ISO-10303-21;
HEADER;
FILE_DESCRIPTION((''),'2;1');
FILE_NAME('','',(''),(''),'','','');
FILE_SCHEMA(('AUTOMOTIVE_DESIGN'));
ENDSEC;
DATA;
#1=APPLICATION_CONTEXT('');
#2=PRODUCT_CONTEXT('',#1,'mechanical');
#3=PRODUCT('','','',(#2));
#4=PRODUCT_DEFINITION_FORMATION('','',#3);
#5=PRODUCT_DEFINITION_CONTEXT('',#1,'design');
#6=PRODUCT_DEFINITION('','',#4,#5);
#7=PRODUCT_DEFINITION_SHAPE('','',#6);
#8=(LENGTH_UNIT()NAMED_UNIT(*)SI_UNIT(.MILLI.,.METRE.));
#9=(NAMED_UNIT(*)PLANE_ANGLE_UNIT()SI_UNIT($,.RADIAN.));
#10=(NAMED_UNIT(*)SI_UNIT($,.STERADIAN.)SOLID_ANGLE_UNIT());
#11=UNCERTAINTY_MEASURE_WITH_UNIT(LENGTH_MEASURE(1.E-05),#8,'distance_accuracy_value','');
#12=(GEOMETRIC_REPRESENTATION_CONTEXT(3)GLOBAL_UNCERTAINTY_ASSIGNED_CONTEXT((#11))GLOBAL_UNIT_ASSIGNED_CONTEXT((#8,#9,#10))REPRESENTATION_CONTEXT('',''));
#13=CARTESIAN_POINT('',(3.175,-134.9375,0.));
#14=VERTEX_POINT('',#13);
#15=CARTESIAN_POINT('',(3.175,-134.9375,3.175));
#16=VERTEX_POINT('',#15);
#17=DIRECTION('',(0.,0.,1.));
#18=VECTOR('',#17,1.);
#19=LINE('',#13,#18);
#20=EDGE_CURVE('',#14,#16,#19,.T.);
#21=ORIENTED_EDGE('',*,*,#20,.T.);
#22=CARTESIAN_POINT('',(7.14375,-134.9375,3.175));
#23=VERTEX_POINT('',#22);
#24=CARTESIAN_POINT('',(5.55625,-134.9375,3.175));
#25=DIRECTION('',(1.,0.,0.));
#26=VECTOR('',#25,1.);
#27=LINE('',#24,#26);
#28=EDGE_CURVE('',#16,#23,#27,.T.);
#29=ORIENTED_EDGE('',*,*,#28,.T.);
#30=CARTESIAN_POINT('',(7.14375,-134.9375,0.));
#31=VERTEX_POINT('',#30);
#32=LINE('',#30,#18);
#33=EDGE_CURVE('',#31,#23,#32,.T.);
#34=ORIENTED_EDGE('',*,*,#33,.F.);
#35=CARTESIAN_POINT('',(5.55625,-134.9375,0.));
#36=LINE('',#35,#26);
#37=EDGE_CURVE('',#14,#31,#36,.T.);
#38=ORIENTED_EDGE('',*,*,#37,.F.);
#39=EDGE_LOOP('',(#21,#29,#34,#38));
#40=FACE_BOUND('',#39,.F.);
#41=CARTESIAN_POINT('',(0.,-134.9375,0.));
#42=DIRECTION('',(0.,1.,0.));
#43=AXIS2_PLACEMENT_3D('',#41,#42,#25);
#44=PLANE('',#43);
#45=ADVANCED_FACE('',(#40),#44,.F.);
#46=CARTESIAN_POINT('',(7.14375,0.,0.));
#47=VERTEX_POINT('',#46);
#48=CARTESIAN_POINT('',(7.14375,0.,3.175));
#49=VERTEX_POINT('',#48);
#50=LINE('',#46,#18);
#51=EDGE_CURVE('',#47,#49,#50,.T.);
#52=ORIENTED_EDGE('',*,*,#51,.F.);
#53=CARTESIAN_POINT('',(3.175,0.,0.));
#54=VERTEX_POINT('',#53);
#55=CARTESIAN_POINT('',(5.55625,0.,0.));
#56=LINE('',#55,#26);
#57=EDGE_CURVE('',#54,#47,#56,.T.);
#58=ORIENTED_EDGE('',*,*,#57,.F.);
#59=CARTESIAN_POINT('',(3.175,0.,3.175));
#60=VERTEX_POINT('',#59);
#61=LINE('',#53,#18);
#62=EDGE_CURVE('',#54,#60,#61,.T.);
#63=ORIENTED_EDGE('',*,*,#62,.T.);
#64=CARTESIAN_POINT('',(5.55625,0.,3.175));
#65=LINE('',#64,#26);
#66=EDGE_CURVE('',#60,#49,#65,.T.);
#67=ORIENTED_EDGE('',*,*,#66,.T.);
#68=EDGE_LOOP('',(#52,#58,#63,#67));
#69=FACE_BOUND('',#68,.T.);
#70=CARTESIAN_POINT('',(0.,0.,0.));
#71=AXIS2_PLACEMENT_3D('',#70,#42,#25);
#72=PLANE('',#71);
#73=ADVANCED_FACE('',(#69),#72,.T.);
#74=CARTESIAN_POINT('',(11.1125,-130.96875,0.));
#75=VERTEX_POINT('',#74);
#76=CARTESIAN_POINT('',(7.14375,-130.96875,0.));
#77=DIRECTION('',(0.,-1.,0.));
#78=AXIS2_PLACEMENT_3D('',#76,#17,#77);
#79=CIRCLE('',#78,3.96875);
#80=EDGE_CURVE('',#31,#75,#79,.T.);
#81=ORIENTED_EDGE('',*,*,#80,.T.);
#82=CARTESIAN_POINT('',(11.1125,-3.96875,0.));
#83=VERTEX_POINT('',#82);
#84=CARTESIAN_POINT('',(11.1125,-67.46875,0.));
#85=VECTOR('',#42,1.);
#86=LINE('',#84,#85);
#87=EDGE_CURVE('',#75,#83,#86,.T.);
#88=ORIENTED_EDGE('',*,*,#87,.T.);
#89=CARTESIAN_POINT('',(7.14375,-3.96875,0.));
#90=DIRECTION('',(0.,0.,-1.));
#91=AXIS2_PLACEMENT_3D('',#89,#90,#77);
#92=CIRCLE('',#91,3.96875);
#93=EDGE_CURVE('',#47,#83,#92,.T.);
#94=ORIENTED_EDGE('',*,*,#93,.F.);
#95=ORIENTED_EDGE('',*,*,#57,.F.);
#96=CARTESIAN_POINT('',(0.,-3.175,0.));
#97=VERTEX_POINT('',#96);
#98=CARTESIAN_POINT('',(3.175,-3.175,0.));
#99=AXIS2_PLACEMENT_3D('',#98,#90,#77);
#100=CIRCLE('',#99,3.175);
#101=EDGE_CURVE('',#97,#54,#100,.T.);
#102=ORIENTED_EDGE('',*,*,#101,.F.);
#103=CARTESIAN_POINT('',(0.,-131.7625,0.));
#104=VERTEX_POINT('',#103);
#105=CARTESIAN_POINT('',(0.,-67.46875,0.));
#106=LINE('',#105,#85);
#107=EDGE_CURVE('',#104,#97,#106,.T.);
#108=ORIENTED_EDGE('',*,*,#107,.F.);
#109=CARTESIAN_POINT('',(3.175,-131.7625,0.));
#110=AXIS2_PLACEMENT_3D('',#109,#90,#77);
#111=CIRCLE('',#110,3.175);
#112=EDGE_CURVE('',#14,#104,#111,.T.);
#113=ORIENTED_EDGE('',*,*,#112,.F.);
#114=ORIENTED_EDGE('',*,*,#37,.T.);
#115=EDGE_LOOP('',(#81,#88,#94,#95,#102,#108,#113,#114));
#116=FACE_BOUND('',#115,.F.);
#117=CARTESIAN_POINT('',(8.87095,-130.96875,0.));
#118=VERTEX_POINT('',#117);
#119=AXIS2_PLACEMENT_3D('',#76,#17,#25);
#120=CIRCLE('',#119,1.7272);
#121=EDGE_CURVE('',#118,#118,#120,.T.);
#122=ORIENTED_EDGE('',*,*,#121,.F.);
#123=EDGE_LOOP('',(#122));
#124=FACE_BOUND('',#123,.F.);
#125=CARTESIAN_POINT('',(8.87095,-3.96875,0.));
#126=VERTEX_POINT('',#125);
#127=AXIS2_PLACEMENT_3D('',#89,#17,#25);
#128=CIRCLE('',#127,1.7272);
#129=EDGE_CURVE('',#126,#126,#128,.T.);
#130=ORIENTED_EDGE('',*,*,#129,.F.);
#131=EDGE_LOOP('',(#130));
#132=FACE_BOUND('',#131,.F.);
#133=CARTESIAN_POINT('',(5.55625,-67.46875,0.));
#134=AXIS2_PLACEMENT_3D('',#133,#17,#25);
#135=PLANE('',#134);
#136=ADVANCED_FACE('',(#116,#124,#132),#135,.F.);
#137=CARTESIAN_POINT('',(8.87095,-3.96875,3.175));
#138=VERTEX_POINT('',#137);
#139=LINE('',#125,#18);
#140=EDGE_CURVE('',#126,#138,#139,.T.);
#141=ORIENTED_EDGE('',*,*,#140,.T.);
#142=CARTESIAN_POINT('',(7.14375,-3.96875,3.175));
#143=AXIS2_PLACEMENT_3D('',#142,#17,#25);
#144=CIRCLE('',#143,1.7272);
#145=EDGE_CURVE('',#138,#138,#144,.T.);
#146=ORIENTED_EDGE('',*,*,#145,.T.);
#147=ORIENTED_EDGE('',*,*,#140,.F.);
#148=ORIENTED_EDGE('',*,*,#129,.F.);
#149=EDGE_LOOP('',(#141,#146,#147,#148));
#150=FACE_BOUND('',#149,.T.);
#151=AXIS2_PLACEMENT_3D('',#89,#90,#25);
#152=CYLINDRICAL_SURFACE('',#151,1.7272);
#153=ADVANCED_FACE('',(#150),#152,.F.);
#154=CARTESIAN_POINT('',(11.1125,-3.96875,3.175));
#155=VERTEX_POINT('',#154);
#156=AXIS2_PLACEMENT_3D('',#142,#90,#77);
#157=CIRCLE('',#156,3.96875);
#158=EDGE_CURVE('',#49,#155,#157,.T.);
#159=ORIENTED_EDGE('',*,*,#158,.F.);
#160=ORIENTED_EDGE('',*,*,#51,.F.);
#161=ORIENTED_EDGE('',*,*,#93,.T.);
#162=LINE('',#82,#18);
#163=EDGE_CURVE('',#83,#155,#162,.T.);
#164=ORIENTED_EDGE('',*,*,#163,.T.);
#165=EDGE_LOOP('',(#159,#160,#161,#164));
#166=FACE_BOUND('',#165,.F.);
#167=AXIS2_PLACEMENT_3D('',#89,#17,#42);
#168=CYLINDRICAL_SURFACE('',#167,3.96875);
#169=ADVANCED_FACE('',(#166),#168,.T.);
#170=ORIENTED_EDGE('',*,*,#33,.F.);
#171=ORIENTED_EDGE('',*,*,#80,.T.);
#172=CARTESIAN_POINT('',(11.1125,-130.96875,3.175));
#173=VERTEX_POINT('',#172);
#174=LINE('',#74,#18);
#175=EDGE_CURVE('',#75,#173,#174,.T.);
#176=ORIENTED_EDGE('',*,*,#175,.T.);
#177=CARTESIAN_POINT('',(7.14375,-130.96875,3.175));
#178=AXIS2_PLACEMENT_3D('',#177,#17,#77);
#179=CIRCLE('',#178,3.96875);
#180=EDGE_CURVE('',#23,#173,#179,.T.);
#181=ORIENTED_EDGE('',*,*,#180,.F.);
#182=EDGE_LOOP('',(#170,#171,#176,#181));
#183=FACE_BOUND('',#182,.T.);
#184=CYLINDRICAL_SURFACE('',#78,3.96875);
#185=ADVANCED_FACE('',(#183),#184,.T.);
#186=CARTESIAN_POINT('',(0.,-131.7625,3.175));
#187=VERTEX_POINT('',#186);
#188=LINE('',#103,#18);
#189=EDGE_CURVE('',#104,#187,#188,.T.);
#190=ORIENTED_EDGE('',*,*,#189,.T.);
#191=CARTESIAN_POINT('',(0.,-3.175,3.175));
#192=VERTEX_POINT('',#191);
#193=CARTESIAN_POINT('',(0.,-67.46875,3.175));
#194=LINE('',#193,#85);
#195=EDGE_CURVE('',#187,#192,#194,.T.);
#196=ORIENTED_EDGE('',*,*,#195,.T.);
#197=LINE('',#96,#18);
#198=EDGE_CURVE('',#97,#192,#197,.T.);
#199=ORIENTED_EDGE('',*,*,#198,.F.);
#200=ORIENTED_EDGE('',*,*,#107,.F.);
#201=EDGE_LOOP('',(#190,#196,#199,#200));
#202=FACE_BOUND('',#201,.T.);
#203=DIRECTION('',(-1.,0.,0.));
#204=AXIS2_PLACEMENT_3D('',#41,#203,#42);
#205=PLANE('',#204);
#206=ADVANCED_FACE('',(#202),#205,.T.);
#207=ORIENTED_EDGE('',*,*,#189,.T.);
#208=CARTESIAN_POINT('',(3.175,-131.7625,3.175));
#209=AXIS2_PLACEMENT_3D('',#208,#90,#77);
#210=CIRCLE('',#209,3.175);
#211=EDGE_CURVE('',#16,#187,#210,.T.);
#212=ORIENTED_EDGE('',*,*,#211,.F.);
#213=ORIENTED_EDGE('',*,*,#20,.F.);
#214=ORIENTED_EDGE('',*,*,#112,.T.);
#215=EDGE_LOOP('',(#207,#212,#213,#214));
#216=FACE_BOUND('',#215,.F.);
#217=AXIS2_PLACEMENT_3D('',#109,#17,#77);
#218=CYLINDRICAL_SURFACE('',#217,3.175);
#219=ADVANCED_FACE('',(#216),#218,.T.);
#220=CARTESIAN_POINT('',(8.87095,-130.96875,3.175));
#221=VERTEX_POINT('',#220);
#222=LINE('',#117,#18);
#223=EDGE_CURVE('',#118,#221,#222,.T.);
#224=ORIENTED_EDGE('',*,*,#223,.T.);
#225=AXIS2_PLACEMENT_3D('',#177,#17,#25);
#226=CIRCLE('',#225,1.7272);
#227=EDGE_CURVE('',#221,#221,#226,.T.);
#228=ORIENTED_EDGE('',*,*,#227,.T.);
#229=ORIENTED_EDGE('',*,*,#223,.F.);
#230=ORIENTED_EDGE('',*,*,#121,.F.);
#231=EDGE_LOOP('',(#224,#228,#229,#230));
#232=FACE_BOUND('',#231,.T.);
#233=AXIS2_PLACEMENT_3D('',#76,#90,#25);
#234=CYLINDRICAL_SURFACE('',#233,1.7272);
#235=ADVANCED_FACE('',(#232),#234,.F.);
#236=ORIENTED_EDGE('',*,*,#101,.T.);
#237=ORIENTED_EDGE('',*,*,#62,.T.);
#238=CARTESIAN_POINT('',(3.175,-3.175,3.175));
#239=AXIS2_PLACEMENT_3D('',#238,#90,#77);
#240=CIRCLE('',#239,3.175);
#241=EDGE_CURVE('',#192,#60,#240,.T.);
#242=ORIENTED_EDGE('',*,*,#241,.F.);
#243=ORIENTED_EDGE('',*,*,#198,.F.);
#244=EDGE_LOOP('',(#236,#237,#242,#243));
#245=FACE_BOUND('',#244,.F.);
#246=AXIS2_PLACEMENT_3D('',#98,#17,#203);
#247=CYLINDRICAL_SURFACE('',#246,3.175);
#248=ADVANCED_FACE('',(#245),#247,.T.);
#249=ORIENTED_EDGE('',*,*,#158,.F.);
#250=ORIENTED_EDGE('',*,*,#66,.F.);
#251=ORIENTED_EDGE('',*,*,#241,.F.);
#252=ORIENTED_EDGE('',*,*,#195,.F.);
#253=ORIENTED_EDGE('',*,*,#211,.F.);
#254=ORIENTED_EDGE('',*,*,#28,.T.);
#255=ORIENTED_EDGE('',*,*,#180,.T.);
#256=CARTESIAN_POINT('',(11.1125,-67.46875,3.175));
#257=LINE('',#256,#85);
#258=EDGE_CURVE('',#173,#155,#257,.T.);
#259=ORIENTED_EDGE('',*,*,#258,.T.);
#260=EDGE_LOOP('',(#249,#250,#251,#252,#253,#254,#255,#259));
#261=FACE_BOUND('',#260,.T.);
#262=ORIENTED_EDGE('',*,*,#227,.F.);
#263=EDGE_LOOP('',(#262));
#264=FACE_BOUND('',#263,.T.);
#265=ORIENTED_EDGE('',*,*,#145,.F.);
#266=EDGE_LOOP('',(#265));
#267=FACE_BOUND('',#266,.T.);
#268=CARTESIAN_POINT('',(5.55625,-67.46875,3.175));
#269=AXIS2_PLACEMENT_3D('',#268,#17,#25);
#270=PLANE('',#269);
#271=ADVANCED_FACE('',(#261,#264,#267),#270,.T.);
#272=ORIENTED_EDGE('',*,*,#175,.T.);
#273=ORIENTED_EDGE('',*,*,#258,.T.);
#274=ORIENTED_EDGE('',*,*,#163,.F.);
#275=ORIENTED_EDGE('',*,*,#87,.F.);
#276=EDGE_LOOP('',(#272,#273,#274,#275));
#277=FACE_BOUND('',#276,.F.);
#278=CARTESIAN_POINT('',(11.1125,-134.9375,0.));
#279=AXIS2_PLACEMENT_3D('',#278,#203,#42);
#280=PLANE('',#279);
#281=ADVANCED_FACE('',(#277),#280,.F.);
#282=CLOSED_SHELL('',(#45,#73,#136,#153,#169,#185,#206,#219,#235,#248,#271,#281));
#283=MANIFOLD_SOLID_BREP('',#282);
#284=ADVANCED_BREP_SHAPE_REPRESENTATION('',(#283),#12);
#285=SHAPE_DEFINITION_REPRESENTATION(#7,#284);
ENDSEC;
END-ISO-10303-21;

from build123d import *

# Parameters (mm, degrees)
F0_W     = 11.1125
F0_H     = 134.9375
F0_R     = 1.7272
F1_DEPTH = 3.175
F2_R     = 3.96875
F3_R     = 3.175


with BuildPart() as f1:
    # F0 (on Top) → F1 (new body)
    with BuildSketch(Plane.XY):
        with Locations((5.55625, -67.46875)):
            Rectangle(F0_W, F0_H)
        with Locations((7.14375, -130.96875)):
            Circle(F0_R, mode=Mode.SUBTRACT)
        with Locations((7.14375, -3.96875)):
            Circle(F0_R, mode=Mode.SUBTRACT)
    extrude(amount=F1_DEPTH)

    # F2
    f2_edges = [f1.edges().sort_by_distance(p)[0] for p in [
        (11.1125, 0, 1.5875),
        (11.1125, -134.9375, 1.5875),
    ]]
    fillet(f2_edges, radius=F2_R)

    # F3
    f3_edges = [f1.edges().sort_by_distance(p)[0] for p in [
        (0, -134.9375, 1.5875),
        (0, 0, 1.5875),
    ]]
    fillet(f3_edges, radius=F3_R)


solid = f1.part
